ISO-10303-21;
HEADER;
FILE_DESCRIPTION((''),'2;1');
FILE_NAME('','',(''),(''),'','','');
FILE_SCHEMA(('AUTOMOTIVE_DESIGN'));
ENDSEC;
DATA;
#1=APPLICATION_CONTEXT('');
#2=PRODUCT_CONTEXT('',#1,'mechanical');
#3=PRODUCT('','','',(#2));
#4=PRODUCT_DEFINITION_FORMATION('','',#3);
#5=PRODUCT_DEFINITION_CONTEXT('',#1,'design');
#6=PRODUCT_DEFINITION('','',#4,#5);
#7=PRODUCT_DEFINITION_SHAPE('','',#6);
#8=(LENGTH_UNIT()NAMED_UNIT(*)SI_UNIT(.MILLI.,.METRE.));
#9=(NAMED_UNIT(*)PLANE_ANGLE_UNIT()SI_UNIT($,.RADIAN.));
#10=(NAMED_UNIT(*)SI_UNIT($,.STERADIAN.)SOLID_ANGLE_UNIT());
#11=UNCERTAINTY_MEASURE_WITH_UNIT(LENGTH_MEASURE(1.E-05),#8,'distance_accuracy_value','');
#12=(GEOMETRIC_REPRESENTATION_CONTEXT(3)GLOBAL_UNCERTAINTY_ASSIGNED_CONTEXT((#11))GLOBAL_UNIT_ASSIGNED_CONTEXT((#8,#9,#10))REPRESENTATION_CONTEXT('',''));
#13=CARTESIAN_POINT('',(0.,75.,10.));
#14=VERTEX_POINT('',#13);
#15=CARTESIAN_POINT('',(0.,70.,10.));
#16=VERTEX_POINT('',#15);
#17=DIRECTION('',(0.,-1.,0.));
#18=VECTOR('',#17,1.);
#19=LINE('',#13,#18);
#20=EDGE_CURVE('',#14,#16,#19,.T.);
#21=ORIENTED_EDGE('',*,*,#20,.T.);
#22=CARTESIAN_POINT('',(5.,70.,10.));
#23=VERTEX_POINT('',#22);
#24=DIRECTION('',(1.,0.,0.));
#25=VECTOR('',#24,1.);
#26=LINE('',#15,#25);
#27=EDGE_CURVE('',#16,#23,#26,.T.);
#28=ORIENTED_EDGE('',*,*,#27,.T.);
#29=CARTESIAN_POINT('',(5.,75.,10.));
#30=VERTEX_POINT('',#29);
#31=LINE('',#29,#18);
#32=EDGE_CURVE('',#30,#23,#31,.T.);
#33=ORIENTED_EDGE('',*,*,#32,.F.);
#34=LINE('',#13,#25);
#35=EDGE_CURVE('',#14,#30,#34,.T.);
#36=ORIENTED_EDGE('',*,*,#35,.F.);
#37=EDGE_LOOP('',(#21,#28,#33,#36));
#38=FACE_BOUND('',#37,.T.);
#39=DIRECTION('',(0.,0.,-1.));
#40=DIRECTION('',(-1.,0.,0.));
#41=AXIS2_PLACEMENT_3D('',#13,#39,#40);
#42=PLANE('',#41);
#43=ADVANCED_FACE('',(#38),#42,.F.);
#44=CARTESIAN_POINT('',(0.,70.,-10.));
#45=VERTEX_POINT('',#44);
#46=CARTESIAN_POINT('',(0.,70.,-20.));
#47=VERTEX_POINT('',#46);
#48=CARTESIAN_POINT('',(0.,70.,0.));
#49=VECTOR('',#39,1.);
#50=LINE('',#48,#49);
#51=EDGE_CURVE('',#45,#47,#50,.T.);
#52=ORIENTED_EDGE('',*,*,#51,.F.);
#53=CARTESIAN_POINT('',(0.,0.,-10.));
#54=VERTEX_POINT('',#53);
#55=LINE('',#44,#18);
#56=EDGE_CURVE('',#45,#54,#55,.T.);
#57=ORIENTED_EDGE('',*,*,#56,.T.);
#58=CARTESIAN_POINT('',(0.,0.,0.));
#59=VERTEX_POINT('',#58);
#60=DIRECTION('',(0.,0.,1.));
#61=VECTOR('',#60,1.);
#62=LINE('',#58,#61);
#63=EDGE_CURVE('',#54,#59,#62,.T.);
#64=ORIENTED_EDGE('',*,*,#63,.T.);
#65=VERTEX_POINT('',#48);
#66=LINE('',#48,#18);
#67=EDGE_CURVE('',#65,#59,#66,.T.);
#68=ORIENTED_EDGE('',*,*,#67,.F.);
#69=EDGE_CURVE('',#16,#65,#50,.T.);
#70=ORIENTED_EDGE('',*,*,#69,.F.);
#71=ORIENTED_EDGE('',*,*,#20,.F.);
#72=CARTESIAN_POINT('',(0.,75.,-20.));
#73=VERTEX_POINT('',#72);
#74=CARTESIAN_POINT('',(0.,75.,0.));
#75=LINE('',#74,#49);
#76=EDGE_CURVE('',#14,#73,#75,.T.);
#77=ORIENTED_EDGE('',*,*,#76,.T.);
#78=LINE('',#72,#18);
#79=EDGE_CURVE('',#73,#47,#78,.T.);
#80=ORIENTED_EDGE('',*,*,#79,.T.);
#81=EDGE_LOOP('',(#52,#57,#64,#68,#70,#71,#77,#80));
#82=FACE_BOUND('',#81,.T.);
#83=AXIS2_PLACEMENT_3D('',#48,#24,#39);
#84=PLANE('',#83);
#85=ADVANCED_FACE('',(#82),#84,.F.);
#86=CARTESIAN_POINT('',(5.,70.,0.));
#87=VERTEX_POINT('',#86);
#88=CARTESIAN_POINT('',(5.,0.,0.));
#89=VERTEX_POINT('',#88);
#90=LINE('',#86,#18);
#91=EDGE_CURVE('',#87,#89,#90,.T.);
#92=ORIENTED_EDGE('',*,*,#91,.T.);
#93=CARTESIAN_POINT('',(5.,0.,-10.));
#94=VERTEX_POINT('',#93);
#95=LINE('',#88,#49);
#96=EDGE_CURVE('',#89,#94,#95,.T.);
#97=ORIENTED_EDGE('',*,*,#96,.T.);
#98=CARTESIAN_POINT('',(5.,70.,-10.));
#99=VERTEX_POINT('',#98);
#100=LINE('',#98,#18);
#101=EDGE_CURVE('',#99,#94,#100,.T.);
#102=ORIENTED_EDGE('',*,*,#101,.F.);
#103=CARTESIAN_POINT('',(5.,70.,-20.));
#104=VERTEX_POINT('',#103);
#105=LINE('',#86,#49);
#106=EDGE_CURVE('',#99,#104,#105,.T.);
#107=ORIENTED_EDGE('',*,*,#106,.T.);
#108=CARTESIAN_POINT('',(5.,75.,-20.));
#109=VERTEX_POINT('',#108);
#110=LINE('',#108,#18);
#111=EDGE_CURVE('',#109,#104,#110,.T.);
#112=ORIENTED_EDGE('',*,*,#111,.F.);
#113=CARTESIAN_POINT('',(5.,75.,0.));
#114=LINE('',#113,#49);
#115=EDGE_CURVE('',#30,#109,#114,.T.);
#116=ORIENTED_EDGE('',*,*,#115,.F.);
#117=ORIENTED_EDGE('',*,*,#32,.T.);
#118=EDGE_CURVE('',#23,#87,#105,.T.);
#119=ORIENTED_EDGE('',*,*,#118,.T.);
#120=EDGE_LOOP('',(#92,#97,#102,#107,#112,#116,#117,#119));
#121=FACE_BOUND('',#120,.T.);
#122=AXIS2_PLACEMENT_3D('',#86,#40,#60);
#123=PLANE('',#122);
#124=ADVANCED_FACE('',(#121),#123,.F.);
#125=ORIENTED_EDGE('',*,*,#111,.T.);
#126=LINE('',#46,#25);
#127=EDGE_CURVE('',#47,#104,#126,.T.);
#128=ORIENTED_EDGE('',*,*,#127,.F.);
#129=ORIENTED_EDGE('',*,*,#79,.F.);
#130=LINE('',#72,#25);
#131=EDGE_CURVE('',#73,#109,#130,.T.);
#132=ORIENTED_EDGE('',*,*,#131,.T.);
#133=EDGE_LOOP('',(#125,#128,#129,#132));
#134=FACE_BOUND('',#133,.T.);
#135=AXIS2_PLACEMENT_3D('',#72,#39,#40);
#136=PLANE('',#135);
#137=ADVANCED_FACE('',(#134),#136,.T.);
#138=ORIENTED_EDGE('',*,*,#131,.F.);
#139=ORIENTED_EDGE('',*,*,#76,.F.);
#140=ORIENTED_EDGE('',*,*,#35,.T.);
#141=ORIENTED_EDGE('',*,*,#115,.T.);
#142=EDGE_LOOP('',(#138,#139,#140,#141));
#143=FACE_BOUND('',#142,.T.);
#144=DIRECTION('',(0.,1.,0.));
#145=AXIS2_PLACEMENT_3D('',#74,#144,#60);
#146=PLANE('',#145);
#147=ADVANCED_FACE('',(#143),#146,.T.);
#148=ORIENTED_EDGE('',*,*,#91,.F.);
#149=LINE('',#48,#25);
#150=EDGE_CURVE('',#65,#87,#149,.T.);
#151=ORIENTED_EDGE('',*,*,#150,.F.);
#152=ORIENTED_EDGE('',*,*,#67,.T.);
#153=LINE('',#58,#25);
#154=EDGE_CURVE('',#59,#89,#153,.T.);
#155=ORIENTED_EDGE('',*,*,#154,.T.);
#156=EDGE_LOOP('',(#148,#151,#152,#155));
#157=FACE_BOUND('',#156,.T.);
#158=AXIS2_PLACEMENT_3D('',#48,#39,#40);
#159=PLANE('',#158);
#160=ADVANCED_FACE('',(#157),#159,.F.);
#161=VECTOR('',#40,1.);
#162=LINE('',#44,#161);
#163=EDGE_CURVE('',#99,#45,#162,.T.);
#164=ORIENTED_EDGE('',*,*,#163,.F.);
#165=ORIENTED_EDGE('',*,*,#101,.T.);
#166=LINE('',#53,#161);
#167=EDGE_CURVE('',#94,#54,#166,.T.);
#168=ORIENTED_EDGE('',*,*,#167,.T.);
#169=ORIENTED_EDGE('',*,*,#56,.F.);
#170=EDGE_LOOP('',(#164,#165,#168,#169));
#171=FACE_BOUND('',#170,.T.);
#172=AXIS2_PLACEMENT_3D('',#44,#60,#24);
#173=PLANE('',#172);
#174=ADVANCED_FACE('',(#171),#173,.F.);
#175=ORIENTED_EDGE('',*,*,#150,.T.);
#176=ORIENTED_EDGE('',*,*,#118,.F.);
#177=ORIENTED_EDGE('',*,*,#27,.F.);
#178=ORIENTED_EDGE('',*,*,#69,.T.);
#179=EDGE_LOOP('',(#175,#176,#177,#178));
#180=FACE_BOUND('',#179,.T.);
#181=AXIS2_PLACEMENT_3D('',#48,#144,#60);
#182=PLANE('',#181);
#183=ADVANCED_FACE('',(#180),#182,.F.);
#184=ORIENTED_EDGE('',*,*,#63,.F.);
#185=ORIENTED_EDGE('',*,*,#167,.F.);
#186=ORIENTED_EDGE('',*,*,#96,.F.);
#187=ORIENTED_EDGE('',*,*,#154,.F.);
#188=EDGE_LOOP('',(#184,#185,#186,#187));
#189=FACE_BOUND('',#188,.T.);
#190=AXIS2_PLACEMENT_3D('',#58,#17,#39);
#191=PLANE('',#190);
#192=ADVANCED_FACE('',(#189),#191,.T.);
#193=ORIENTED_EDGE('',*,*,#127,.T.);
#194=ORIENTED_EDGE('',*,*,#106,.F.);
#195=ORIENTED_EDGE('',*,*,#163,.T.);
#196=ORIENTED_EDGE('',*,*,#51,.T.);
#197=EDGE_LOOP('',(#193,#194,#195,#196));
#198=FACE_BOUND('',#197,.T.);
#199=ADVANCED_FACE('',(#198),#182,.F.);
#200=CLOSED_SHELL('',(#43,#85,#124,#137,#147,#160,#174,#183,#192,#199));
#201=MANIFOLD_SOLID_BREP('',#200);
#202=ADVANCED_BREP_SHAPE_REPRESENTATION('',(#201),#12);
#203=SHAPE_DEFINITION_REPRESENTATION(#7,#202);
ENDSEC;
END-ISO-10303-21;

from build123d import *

# Parameters (mm, degrees)
SKETCH_1_W      = 5
SKETCH_1_H      = 10
EXTRUDE_1_DEPTH = 70
SKETCH_2_W      = 5
SKETCH_2_H      = 10
EXTRUDE_2_DEPTH = 5


with BuildPart() as part:
    # 草图1 → 凸台-拉伸1 (new body)
    with BuildSketch(Plane(origin=(0, 0, 0), x_dir=(1, 0, 0), z_dir=(0, 1, 0))):
        with Locations((2.5, 5)):
            Rectangle(SKETCH_1_W, SKETCH_1_H)
    extrude(amount=EXTRUDE_1_DEPTH)

    # 草图2 → 凸台-拉伸2 (add)
    with BuildSketch(Plane(origin=(0, 70, 0), x_dir=(1, 0, 0), z_dir=(0, 1, 0))):
        with Locations((2.5, 15)):
            Rectangle(SKETCH_2_W, SKETCH_2_H)
        with Locations((2.5, 5)):
            Rectangle(SKETCH_2_W, SKETCH_2_H)
        with Locations((2.5, -5)):
            Rectangle(SKETCH_2_W, SKETCH_2_H)
    extrude(amount=EXTRUDE_2_DEPTH)


solid = part.part
